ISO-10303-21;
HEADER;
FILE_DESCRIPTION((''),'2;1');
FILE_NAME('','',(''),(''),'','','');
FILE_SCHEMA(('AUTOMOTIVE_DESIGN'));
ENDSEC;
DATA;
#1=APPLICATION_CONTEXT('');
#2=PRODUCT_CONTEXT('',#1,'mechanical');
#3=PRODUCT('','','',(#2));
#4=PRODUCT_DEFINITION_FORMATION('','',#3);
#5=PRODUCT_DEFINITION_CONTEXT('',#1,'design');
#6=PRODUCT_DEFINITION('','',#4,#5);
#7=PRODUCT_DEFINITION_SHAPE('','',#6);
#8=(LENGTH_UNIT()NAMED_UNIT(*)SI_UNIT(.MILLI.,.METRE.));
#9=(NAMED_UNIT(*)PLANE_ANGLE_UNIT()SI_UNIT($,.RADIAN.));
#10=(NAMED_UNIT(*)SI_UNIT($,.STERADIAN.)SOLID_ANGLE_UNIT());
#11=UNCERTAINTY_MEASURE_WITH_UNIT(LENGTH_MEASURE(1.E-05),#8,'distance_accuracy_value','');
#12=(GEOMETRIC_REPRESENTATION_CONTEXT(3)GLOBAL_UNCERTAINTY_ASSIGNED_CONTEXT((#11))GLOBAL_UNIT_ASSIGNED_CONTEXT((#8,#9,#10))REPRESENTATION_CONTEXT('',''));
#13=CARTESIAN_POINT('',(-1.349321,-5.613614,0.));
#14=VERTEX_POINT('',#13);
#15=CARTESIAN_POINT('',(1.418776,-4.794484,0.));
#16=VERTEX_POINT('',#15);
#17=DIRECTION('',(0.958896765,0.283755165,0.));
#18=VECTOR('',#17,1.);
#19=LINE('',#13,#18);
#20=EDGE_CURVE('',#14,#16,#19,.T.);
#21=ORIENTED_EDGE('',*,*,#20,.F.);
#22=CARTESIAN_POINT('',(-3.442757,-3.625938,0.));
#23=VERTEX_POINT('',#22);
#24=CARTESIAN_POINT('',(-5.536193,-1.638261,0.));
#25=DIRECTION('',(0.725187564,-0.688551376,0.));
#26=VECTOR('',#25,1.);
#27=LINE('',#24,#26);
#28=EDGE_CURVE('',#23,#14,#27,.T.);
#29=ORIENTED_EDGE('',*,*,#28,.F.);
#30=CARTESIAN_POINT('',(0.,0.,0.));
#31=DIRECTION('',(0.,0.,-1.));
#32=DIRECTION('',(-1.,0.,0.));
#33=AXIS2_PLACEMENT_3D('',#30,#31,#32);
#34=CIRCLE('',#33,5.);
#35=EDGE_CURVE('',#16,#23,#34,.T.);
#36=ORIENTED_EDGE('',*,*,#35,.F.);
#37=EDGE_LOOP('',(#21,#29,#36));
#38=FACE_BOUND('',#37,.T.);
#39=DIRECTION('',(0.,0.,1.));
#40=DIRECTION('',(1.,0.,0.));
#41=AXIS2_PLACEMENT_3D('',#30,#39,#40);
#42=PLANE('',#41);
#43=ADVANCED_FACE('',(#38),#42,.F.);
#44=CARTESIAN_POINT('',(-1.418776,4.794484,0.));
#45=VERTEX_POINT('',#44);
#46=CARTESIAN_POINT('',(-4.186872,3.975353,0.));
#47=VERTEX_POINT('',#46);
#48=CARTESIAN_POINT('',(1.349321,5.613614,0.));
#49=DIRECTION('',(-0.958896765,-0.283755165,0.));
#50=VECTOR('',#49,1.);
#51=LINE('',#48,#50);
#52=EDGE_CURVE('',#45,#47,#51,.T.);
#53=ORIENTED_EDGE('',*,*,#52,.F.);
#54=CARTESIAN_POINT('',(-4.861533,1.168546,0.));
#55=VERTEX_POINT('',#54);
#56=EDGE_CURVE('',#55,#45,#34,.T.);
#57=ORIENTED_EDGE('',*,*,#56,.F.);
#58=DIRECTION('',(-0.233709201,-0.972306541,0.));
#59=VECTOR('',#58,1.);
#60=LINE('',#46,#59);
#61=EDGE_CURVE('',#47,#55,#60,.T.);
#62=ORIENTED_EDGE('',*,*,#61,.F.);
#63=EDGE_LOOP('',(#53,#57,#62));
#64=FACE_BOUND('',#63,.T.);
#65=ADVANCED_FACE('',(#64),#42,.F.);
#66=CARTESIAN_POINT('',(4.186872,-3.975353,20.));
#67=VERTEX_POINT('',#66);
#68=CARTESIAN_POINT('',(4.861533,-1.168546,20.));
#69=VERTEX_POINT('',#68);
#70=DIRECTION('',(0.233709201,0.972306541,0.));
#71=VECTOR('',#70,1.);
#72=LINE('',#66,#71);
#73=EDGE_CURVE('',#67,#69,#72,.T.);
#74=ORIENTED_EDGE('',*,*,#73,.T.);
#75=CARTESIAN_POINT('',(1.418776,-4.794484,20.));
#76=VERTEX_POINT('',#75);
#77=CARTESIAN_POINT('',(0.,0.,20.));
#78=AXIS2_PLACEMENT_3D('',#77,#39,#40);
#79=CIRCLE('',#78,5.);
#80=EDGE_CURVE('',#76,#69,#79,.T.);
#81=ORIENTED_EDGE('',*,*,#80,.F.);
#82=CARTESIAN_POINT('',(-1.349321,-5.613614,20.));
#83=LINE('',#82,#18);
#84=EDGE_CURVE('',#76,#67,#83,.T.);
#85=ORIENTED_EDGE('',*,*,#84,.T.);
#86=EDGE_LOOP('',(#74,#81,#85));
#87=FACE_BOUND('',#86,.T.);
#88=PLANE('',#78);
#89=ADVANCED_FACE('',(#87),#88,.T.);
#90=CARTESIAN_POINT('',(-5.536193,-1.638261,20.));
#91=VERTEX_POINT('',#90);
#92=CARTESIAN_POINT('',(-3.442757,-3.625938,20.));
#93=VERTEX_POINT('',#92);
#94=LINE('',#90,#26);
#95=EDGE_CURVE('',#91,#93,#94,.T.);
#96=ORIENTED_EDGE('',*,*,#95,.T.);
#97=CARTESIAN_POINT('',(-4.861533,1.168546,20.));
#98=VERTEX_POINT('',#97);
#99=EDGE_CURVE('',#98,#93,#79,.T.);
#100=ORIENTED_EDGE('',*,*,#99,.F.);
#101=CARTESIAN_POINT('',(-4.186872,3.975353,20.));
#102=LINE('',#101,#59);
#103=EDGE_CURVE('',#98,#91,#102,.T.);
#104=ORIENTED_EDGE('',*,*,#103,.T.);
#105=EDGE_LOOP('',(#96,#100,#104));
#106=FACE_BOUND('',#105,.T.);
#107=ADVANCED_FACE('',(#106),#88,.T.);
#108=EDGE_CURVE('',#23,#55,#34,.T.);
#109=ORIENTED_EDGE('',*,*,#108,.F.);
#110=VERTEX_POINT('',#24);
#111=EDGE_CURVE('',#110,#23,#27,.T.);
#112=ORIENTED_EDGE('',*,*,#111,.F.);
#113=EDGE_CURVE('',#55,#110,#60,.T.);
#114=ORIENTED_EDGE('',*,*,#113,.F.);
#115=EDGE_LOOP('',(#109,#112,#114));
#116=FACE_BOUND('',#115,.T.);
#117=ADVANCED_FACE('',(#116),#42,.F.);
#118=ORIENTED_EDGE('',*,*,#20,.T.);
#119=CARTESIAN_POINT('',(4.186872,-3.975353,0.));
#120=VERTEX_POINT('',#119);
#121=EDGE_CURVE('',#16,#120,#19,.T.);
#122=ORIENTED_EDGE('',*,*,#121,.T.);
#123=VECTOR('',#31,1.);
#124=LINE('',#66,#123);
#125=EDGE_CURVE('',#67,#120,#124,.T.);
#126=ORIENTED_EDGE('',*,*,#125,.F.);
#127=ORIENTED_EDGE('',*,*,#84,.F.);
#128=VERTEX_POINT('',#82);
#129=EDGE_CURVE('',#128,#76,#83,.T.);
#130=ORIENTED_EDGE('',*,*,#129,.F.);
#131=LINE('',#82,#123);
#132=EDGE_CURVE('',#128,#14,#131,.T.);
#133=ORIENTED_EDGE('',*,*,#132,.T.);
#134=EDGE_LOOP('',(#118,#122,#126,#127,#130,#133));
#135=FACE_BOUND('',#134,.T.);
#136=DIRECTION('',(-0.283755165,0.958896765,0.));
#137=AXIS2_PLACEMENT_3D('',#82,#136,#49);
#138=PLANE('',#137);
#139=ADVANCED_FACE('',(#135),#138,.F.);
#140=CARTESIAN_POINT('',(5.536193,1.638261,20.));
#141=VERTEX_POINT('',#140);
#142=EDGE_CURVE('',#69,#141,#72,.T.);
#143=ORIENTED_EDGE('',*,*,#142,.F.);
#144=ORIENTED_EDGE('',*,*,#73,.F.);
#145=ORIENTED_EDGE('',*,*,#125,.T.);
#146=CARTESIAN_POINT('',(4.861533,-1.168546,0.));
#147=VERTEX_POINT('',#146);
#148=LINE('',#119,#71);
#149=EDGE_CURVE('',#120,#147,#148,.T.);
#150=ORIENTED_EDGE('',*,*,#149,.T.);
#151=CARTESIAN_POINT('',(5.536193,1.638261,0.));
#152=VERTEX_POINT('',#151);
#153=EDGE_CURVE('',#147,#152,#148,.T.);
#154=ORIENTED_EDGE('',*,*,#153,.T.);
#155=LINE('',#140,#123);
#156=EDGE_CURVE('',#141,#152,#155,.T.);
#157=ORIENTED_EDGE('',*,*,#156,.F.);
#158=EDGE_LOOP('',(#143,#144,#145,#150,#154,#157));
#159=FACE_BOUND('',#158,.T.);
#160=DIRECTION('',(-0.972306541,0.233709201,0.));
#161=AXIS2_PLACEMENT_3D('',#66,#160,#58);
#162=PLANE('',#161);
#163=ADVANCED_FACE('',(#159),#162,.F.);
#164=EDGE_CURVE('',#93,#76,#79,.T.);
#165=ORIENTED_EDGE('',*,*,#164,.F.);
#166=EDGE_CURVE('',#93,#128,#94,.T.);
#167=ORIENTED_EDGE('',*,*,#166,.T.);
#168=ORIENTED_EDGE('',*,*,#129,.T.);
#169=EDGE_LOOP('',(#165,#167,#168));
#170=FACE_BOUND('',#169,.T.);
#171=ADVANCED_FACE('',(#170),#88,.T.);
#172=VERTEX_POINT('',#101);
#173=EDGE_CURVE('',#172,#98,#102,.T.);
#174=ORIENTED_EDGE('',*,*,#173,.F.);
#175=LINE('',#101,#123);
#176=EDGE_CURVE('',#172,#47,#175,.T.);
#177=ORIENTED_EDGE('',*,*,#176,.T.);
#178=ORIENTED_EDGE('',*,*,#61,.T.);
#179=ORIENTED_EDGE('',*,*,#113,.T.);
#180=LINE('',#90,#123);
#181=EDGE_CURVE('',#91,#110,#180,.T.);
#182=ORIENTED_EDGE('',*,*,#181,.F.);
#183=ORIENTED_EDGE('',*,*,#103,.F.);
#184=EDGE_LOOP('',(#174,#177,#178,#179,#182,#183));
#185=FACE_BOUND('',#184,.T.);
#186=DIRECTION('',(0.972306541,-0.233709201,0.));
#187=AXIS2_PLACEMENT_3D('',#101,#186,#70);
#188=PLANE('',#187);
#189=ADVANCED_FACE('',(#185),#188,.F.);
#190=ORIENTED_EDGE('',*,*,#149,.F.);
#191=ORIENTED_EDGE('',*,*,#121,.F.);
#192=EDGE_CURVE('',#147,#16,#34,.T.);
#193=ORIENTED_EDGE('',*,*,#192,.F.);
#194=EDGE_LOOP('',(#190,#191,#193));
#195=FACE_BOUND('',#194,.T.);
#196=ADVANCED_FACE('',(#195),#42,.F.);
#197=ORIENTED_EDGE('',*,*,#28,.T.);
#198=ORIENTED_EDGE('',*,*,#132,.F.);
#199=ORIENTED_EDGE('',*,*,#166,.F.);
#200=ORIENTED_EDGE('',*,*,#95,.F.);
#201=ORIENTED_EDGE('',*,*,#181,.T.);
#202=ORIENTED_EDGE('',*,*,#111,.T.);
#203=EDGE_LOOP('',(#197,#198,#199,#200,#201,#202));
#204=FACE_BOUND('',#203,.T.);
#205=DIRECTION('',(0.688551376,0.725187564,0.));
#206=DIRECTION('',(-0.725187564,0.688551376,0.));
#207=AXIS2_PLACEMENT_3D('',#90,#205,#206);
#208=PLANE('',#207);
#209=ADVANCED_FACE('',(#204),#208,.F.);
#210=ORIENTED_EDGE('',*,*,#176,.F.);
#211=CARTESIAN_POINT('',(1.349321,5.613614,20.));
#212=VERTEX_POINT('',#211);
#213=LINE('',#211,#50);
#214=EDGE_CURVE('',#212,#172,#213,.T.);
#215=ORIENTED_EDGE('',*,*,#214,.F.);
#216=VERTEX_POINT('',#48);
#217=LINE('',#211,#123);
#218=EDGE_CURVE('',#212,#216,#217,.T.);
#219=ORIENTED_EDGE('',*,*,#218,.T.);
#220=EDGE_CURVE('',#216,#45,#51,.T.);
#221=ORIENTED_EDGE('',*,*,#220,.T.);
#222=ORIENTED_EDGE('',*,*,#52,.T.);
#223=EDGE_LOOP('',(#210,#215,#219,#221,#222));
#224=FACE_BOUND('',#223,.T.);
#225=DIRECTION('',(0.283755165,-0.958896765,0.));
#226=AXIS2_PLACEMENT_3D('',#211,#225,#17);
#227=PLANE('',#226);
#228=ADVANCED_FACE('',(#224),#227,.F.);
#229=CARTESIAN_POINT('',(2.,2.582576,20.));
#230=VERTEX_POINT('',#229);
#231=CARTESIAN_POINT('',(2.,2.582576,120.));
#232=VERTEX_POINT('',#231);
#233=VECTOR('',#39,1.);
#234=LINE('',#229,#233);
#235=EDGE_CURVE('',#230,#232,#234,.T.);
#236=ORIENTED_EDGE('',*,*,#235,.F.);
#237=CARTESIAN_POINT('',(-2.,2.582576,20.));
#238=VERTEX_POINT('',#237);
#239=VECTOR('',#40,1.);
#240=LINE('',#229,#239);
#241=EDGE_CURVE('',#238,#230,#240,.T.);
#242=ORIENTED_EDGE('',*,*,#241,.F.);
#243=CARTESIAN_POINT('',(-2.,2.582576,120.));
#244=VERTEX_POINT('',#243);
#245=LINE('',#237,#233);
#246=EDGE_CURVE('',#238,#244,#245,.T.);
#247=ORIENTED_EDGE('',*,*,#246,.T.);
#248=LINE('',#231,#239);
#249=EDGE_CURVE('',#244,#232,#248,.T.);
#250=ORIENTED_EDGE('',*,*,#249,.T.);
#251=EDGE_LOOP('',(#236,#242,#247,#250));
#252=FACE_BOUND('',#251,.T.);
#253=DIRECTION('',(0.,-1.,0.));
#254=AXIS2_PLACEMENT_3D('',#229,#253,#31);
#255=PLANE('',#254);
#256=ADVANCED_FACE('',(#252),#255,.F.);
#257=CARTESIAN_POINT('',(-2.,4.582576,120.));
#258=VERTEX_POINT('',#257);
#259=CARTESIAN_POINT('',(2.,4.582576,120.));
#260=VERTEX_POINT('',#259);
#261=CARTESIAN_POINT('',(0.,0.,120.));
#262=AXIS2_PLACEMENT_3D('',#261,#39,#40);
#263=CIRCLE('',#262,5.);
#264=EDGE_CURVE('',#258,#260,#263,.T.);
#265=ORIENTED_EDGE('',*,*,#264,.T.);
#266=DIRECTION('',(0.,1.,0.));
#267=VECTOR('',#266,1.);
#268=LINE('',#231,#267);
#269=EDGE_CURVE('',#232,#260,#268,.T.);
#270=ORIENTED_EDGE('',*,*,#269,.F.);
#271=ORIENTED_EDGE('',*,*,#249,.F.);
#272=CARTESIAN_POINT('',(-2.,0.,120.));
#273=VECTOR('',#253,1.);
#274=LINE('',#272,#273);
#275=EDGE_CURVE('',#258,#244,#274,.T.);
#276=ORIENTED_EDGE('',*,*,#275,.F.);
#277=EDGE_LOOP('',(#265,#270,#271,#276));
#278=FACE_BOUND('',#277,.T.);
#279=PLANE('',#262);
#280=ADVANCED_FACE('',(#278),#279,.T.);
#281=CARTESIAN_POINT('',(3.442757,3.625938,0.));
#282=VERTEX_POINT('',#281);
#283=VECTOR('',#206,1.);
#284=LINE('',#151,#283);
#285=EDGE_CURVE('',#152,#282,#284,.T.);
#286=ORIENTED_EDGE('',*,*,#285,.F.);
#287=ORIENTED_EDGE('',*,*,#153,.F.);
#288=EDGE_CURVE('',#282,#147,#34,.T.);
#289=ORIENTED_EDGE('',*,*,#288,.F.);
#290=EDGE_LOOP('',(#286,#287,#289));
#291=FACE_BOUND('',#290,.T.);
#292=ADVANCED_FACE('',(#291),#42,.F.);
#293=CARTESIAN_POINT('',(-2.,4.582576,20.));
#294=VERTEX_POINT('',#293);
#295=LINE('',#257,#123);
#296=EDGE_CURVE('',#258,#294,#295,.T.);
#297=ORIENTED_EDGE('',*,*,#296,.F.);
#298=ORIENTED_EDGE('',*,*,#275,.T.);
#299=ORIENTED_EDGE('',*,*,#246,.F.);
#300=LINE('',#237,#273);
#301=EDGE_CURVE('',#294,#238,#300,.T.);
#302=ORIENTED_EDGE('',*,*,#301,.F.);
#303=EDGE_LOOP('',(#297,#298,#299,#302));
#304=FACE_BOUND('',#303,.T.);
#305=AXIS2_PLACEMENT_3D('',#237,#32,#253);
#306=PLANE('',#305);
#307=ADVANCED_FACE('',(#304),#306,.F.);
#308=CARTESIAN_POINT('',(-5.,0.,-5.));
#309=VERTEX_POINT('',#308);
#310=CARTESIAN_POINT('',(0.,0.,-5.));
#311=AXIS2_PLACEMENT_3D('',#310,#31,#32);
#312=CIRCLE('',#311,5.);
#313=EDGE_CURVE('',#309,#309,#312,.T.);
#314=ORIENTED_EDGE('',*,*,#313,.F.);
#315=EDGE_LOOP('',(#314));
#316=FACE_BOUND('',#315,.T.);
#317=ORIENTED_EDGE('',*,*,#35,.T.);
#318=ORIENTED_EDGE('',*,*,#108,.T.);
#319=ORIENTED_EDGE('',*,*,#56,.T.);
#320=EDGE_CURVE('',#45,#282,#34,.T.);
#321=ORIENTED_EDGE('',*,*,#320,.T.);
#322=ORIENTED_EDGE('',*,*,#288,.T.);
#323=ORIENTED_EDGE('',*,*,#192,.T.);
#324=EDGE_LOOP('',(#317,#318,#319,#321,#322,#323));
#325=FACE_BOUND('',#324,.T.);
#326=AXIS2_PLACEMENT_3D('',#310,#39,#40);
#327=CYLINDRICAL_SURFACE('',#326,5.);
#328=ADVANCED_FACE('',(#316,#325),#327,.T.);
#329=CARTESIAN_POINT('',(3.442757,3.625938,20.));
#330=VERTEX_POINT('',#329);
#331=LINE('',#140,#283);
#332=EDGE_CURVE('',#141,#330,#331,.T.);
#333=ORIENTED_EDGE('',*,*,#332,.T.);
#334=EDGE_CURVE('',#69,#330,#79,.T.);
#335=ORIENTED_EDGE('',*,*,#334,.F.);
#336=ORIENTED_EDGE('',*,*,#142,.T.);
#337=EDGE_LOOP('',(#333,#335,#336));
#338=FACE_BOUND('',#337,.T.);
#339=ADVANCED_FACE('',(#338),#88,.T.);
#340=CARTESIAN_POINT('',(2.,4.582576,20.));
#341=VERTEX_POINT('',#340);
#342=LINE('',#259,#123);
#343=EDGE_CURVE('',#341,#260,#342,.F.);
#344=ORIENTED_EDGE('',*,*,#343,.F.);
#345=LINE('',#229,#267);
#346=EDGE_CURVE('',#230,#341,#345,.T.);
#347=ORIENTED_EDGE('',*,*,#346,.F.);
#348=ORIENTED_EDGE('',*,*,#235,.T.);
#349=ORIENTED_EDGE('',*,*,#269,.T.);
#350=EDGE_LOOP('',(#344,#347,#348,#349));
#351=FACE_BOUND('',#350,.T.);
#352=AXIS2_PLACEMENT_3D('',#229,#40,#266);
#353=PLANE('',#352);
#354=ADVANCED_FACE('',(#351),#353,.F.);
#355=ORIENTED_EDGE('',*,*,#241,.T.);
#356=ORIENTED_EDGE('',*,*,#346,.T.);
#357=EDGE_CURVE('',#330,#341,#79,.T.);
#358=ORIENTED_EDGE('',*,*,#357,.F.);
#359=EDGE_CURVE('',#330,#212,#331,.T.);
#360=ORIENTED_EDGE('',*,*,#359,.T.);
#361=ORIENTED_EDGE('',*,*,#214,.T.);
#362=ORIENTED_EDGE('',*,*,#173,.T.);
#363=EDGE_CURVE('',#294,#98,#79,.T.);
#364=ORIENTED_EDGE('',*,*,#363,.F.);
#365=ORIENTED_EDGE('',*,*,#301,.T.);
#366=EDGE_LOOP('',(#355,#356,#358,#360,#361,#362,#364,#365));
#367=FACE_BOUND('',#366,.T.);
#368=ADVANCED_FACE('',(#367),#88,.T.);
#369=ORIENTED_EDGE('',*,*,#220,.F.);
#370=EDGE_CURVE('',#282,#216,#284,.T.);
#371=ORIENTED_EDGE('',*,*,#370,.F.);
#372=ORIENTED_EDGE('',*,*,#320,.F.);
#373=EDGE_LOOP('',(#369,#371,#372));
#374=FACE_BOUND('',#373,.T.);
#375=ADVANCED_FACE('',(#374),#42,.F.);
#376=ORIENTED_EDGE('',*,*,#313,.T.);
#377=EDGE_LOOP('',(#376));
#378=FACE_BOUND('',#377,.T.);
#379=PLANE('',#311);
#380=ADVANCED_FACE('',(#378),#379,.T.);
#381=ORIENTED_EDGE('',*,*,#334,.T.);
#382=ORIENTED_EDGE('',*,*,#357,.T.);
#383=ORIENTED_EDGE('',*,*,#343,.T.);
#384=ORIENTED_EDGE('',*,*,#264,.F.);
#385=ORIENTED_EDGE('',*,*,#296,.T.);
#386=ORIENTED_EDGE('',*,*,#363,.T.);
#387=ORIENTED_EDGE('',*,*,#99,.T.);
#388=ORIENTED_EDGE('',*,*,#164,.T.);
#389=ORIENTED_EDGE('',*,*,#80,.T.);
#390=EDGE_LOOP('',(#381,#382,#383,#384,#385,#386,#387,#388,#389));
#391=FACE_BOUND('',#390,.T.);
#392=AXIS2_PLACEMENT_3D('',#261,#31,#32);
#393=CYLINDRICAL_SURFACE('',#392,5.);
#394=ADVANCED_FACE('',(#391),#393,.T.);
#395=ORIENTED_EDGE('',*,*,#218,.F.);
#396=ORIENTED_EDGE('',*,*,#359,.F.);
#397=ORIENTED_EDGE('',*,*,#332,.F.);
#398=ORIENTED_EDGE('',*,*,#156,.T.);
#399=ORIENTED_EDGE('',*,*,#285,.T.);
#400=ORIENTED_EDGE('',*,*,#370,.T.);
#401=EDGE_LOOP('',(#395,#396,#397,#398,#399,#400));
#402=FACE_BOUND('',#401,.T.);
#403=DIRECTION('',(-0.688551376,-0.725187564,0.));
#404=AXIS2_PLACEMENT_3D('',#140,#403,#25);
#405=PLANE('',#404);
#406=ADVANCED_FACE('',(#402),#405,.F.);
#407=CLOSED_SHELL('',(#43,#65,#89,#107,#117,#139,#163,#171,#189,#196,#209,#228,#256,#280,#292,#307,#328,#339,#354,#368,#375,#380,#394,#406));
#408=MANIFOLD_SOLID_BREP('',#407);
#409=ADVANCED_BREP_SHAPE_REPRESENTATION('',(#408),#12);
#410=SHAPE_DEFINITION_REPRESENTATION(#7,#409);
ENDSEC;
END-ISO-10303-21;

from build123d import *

# Parameters (mm, degrees)
EXTRUDE_1_DEPTH     = 20
SKETCH_2_R          = 5
EXTRUDE_2_DEPTH     = 5
EXTRUDE_START       = 100
SKETCH_7_R          = 5
EXTRUDE_4_DEPTH     = 100
SKETCH_8_W          = 4
SKETCH_8_H          = 3
CUT_EXTRUDE_1_DEPTH = 100


with BuildPart() as part:
    # 草图1 → 凸台-拉伸1 (new body)
    with BuildSketch(Plane.XY):
        Polygon((5.536193055, 1.63826121), (1.349320701, 5.613614431), (-4.186872353, 3.975353221), (-5.536193055, -1.63826121), (-1.349320701, -5.613614431), (4.186872353, -3.975353221), align=None)
    extrude(amount=EXTRUDE_1_DEPTH)

    # 草图2 → 凸台-拉伸2 (add)
    with BuildSketch(Plane(origin=(0, 0, 0), x_dir=(-1, 0, 0), z_dir=(0, 0, -1))):
        with Locations(Location((0, 0, 0), (0, 0, 193.51554681))):
            Circle(SKETCH_2_R)
    extrude(amount=EXTRUDE_2_DEPTH)

    # 草图7 → 凸台-拉伸4 (add)
    with BuildSketch(Plane.XY.offset(20).offset(EXTRUDE_START)):
        with Locations(Location((0, 0, 0), (0, 0, 346.48445319))):
            Circle(SKETCH_7_R)
    extrude(amount=-EXTRUDE_4_DEPTH)

    # 草图8 → 切除-拉伸1 (cut)
    with BuildSketch(Plane.XY.offset(120)):
        with Locations((0, 4.082575695)):
            Rectangle(SKETCH_8_W, SKETCH_8_H)
    extrude(amount=-CUT_EXTRUDE_1_DEPTH, mode=Mode.SUBTRACT)


solid = part.part
